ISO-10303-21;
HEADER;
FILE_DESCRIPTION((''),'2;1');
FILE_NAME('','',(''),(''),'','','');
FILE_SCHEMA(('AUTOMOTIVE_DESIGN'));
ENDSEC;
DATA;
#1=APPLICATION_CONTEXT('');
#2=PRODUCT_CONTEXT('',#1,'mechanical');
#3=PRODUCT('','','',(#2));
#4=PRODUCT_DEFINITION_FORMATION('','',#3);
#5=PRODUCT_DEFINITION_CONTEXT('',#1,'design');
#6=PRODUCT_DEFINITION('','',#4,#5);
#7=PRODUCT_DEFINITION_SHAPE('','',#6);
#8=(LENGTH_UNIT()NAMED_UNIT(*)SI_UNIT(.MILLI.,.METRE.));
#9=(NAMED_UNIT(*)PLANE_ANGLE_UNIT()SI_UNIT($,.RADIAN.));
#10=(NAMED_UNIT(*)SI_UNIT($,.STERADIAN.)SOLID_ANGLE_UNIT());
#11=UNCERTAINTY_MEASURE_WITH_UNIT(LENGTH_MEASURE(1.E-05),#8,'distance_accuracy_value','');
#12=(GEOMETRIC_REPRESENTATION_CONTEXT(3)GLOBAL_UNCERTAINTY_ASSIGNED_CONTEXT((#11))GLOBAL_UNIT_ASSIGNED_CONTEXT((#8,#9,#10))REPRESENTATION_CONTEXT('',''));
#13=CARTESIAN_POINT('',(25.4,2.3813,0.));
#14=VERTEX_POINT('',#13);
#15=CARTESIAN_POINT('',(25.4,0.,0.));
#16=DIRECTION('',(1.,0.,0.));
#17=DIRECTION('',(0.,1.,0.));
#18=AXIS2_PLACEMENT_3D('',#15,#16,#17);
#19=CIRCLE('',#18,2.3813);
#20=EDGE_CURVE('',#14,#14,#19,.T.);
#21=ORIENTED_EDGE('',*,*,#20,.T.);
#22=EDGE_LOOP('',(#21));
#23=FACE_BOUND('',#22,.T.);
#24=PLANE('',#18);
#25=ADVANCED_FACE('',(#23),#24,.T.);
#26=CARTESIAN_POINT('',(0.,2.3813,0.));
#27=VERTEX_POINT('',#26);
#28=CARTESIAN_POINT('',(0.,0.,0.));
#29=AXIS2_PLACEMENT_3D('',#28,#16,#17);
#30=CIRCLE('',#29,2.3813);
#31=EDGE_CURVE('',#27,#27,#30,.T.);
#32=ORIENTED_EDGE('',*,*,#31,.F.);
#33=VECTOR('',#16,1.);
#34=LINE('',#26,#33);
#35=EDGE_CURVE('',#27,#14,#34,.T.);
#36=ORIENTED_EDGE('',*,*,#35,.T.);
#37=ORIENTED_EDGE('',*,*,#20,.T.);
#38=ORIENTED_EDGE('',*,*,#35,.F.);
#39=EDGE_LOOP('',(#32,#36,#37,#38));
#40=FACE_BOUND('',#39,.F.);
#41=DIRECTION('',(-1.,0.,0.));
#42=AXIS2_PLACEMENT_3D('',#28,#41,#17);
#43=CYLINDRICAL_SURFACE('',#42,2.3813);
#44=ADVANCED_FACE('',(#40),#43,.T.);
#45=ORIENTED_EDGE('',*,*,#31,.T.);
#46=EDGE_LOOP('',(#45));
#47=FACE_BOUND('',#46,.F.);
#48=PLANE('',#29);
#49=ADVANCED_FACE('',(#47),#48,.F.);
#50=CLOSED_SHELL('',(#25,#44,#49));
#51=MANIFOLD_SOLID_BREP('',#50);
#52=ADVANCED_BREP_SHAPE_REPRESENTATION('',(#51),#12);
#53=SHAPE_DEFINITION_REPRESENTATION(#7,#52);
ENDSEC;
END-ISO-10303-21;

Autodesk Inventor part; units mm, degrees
ref_plane "YZ Plane" through (0, 0, 0) normal (1, 0, 0) x (0, 1, 0)
ref_plane "XZ Plane" through (0, 0, 0) normal (0, 1, 0) x (-1, 0, 0)
ref_plane "XY Plane" through (0, 0, 0) normal (0, 0, 1) x (1, 0, 0)
sketch "Sketch1" plane through (0, 0, 0) normal (1, 0, 0) x (0, 1, 0)
  point P0 (0, 0)
sketch "Sketch2" plane through (0, 0, 0) normal (1, 0, 0) x (0, 1, 0)
  circle A0 centre (0, 0) radius 2.3813
  dimension "d0" = 4.7625
extrude "Extrusion1" add sketch "Sketch2" along normal blind 25.4
properties part number "hinge_pin"
